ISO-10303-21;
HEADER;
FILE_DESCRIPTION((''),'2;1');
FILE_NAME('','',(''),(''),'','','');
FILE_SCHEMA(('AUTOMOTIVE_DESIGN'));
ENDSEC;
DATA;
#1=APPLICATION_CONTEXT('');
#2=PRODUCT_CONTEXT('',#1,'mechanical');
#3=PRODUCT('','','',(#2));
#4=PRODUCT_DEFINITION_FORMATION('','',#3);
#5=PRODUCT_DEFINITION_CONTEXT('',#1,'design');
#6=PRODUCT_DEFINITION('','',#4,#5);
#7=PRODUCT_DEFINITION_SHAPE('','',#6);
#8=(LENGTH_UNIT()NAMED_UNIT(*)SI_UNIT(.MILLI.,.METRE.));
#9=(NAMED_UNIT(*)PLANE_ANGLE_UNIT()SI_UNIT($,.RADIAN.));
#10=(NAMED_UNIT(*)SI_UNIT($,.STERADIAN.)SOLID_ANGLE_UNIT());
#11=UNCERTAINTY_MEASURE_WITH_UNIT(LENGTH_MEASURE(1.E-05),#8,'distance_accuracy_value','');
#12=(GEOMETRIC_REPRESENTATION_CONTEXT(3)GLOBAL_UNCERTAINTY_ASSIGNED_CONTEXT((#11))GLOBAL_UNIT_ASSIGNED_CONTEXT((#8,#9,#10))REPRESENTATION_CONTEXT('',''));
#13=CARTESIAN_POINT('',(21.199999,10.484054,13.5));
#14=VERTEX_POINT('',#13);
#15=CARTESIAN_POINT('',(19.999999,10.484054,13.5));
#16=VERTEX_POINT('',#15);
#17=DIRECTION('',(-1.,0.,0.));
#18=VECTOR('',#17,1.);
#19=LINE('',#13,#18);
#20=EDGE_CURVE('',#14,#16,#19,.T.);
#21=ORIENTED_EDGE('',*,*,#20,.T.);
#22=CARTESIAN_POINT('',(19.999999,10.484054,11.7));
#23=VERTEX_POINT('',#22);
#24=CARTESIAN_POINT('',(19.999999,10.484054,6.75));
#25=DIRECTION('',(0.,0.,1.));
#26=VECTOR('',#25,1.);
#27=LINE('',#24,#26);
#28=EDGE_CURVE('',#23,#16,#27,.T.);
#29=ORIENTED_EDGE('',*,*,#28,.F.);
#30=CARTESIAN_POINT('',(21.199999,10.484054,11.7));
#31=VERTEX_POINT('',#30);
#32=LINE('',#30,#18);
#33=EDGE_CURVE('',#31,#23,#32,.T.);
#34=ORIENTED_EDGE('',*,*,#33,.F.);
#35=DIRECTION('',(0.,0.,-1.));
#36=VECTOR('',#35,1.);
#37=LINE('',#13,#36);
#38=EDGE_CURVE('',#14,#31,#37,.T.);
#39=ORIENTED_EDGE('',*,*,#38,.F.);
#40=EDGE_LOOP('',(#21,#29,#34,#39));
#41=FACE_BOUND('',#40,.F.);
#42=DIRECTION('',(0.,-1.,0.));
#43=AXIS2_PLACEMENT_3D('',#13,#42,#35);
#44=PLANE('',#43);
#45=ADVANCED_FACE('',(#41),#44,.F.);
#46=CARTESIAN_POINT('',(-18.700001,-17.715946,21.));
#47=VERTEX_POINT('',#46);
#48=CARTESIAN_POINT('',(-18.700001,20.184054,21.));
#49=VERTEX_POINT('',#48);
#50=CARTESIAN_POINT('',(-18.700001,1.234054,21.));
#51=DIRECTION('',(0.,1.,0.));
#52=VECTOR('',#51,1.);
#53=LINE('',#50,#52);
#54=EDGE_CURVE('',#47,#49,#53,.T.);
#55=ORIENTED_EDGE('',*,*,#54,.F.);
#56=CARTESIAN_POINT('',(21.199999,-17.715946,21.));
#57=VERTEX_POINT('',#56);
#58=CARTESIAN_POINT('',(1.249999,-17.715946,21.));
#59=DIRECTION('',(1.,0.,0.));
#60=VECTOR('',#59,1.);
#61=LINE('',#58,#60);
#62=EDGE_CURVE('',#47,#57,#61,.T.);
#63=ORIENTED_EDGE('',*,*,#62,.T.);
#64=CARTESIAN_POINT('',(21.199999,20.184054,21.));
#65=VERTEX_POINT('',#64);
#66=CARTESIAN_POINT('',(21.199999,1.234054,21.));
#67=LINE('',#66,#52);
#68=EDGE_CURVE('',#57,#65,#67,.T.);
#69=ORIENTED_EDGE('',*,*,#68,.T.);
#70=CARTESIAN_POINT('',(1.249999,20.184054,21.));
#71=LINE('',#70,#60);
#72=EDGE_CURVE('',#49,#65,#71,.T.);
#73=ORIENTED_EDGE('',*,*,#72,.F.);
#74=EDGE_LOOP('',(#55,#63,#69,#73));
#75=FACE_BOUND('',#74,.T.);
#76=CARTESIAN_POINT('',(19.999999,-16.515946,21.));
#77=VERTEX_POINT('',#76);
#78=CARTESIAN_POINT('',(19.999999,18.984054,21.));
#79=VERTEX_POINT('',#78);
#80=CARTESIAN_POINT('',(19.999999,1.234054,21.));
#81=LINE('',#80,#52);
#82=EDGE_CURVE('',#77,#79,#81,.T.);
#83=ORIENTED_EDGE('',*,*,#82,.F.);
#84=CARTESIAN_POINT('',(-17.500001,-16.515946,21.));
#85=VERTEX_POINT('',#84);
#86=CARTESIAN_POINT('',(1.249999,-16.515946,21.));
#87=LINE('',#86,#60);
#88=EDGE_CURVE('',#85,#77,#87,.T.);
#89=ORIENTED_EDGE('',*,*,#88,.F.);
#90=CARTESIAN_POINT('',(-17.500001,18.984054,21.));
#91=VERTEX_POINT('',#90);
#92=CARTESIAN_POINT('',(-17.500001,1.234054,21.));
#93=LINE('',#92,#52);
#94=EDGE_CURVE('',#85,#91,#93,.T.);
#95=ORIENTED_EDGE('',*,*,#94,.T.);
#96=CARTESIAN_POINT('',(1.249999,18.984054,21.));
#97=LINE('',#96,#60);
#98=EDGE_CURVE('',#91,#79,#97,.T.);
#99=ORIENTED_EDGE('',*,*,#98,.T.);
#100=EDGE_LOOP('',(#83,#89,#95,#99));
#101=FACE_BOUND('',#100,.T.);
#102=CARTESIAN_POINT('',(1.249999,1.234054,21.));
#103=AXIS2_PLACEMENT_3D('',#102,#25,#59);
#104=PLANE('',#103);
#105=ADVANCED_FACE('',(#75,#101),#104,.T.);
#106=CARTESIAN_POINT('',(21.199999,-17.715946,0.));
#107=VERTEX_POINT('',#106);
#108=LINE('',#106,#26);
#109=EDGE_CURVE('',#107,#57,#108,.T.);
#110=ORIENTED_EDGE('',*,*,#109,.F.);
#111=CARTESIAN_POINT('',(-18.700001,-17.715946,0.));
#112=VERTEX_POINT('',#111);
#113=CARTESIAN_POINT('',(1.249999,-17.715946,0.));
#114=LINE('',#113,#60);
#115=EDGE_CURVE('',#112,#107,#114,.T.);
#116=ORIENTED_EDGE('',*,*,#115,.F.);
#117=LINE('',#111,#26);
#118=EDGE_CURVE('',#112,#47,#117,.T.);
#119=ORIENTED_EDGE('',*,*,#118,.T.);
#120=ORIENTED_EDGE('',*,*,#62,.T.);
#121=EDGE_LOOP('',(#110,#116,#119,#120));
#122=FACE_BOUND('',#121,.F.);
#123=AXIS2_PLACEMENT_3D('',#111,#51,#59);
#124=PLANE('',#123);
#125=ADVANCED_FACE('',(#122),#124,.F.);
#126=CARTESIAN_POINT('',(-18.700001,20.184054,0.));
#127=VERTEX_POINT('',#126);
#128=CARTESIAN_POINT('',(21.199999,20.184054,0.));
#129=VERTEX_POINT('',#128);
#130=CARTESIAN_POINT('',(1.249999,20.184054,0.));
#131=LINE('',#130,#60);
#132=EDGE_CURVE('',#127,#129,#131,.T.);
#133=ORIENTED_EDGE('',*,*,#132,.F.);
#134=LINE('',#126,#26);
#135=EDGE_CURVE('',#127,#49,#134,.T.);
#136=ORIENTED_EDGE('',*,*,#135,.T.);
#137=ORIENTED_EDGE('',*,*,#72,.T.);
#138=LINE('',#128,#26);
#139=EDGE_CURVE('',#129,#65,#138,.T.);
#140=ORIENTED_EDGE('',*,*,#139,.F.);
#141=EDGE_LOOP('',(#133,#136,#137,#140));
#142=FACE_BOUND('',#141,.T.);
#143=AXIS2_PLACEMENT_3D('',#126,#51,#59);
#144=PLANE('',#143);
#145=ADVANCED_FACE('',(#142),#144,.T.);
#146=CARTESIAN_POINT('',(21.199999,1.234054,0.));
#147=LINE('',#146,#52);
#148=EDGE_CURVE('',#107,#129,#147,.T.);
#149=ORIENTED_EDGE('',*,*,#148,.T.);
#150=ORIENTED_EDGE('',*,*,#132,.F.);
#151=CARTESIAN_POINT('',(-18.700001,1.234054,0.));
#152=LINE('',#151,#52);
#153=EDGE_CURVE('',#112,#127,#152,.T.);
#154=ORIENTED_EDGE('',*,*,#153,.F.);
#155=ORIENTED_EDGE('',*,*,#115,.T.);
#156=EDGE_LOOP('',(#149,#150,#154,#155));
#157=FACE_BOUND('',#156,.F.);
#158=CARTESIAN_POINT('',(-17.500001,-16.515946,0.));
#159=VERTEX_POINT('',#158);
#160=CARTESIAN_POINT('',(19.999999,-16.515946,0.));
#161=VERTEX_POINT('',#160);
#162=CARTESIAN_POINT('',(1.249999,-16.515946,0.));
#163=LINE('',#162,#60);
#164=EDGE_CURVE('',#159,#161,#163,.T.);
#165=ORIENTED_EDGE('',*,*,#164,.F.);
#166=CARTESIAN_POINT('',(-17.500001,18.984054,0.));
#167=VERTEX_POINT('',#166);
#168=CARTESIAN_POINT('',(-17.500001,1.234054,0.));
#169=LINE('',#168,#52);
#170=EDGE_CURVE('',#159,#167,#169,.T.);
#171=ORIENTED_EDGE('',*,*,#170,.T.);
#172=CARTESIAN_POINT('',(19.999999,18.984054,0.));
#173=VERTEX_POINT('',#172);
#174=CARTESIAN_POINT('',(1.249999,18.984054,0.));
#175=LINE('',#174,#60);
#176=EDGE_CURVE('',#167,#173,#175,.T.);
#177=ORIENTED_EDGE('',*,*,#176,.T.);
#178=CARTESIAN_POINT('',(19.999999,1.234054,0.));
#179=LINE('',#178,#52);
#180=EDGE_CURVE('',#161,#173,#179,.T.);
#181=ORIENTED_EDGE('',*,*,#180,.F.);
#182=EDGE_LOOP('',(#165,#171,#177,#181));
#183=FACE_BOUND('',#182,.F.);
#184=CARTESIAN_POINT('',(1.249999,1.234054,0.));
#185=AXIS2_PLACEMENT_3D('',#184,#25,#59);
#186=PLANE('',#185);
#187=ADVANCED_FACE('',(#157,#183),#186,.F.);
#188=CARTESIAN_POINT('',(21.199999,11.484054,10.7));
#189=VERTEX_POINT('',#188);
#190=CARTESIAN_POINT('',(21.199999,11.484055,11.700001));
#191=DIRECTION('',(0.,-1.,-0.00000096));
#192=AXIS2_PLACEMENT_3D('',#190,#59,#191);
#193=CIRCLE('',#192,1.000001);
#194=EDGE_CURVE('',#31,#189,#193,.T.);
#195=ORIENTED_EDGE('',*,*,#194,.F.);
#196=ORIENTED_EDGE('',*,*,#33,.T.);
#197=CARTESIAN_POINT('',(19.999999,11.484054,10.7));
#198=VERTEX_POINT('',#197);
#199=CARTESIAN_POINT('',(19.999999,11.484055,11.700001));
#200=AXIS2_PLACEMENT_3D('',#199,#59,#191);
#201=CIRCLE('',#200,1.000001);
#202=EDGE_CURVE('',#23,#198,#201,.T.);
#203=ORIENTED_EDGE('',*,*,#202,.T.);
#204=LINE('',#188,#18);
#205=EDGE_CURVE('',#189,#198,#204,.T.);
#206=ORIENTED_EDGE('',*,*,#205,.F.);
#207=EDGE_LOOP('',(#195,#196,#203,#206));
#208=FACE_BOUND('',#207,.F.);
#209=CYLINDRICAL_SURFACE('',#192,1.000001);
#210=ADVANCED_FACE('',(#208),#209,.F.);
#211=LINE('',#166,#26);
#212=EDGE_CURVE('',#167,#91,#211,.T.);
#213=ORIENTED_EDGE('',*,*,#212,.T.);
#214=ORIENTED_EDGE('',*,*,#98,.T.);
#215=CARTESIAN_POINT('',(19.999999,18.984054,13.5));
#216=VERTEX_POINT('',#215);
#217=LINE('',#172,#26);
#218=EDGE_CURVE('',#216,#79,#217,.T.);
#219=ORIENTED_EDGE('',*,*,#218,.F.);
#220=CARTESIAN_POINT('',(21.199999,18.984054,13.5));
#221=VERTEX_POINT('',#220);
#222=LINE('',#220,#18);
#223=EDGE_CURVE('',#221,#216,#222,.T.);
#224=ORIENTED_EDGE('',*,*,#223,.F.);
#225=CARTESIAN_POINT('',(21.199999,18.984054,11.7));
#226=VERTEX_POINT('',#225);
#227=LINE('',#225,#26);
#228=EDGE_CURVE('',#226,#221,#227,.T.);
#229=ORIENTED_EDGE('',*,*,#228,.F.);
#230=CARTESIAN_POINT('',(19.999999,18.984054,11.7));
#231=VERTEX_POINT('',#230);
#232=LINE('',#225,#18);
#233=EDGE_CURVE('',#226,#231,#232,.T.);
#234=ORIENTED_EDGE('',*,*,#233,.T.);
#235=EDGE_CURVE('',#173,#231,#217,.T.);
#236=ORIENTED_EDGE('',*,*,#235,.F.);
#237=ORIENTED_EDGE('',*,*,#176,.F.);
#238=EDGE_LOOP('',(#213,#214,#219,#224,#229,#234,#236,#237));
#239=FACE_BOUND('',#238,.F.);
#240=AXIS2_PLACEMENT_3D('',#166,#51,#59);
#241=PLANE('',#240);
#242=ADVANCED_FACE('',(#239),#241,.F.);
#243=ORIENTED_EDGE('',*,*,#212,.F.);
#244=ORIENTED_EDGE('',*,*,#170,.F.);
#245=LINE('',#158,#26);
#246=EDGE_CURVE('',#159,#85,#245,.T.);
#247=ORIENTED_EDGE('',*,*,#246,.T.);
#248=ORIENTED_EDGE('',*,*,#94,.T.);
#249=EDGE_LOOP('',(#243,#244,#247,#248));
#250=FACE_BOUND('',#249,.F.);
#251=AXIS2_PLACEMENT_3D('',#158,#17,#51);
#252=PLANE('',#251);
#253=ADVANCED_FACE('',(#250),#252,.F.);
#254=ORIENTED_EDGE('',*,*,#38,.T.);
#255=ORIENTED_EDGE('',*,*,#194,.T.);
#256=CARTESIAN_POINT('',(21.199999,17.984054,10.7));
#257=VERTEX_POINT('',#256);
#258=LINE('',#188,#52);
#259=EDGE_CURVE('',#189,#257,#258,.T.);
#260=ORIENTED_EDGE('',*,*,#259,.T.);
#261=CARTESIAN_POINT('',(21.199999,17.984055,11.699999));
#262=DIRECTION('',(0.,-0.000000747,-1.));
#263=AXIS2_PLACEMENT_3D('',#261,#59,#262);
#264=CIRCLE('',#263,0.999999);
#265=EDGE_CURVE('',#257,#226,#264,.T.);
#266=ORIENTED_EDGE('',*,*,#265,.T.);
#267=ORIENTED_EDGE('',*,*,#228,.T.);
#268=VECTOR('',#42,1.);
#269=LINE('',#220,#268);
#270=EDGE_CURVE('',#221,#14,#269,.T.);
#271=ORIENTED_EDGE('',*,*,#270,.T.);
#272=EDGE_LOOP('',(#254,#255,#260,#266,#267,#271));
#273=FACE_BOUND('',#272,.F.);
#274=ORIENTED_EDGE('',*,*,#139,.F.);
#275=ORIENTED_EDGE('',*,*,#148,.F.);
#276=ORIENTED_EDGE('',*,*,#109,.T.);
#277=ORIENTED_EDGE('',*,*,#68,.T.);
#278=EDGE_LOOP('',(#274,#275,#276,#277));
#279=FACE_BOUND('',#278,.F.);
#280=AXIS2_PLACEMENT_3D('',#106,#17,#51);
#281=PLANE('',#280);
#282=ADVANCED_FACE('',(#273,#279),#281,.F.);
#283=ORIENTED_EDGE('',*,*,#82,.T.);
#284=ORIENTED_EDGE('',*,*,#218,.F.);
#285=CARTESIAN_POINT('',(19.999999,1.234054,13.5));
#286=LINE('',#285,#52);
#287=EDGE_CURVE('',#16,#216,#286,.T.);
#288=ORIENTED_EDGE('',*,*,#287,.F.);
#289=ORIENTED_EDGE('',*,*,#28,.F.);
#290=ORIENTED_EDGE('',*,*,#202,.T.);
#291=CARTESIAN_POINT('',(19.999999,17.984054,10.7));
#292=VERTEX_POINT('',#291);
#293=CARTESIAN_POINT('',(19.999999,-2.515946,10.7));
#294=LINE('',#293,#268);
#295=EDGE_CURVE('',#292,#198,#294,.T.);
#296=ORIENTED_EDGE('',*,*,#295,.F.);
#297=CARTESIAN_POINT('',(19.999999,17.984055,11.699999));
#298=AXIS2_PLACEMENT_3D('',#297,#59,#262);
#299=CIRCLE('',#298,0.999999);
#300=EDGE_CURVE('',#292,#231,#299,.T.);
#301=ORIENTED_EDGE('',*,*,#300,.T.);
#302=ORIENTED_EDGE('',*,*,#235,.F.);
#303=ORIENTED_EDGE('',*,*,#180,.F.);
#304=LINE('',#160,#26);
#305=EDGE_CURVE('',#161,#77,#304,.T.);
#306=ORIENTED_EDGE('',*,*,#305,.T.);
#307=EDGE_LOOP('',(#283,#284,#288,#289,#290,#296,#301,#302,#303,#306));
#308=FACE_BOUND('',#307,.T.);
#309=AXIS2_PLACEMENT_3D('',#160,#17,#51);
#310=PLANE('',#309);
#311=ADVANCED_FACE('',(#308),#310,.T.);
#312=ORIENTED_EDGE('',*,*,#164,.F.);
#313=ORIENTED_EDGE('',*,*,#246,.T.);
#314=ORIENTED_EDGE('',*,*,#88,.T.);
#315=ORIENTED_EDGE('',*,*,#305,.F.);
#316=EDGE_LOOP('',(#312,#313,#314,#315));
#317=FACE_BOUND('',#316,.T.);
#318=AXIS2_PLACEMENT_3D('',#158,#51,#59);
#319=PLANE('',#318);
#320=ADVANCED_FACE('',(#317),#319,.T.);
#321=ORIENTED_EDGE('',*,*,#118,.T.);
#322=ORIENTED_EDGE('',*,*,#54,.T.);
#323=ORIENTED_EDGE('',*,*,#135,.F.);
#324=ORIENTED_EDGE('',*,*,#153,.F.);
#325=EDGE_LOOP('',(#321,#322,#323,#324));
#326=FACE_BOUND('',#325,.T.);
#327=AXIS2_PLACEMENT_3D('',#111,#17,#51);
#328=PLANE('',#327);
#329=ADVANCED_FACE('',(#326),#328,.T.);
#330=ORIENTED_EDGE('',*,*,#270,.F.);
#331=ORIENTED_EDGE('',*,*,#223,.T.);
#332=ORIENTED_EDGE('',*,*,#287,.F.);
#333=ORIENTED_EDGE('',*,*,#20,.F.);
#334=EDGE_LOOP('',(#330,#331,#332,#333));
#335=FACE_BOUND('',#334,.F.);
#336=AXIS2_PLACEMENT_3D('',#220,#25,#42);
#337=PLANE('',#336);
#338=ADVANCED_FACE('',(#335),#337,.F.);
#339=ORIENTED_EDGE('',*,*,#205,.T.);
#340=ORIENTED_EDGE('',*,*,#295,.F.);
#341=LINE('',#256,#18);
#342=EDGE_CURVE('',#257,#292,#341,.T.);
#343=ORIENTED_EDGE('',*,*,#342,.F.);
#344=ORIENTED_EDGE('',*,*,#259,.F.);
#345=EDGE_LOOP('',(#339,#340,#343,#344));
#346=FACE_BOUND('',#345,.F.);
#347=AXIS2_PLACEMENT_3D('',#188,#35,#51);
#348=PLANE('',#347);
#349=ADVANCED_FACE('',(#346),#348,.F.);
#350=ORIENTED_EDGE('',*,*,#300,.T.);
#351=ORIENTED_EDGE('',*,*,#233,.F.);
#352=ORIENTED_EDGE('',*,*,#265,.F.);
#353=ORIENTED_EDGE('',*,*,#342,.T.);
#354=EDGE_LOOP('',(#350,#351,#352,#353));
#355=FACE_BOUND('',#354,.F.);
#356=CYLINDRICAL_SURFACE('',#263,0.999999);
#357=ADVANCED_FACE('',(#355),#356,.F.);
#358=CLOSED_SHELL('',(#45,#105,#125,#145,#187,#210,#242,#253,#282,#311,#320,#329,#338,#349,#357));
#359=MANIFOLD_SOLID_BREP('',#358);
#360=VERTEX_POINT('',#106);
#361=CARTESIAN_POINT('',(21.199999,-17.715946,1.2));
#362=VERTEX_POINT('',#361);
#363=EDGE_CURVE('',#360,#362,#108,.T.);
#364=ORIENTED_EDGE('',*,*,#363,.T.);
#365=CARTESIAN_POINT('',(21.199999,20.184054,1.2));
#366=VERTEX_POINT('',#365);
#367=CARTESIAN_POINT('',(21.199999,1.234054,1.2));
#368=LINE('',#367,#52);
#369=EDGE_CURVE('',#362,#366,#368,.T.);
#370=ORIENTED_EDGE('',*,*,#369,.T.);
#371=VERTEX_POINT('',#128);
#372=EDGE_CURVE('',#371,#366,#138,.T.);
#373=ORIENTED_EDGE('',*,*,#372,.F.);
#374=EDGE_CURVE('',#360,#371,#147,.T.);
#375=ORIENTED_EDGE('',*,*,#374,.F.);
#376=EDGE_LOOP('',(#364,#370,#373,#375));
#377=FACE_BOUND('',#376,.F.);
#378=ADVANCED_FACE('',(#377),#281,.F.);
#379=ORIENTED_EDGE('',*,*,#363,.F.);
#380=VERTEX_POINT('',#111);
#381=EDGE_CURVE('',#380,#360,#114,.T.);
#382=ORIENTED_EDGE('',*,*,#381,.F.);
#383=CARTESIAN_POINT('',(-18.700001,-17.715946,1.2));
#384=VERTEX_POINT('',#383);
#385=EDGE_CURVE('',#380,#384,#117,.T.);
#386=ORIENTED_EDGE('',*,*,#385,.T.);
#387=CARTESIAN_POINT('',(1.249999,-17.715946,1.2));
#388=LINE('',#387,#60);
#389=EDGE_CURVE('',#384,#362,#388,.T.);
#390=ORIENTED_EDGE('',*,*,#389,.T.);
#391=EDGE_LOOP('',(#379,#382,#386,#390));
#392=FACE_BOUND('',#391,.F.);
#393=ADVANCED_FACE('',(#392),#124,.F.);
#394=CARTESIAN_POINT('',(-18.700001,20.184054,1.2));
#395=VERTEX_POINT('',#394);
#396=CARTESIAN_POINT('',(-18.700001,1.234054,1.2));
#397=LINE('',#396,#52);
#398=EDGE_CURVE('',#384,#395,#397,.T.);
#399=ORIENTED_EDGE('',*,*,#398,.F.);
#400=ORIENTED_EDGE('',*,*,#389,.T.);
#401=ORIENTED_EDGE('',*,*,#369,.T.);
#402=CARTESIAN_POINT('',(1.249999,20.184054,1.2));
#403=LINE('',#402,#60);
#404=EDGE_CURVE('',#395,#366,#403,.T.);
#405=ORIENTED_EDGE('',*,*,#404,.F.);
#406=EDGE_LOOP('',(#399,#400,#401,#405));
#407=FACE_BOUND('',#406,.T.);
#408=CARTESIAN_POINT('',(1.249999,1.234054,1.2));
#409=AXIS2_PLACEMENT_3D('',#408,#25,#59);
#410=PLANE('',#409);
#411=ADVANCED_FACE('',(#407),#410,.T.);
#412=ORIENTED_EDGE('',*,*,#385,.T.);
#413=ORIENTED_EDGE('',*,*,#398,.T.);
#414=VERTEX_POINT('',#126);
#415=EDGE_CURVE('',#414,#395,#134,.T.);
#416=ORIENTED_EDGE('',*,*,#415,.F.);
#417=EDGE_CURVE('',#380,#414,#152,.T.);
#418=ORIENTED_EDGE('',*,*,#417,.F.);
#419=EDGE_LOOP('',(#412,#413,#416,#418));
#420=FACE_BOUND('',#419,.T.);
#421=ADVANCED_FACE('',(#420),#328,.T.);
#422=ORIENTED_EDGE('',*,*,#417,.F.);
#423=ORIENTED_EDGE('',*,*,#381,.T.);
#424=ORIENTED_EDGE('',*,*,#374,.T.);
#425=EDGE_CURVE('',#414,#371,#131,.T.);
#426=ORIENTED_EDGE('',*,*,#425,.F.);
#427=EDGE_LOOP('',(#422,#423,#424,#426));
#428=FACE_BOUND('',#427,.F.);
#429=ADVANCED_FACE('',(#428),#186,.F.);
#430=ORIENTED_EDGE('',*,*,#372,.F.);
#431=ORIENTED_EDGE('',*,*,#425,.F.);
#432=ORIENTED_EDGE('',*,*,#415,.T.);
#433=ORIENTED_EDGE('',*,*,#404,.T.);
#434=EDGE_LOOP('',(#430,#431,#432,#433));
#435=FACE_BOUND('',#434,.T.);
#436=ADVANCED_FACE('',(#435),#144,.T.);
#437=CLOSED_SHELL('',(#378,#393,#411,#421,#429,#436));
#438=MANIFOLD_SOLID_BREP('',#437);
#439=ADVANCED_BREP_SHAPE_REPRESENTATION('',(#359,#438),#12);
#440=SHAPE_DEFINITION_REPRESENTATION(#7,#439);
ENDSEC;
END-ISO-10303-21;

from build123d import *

# Parameters (mm, degrees)
F0_W     = 39.9
F0_H     = 37.9
F0_W_2   = 37.5
F0_H_2   = 35.5
F1_DEPTH = 1.2
F2_DEPTH = 21
F4_DEPTH = 2


with BuildPart() as f1:
    # F0 (on Top) → F1 (new body)
    with BuildSketch(Plane.XY):
        with Locations((1.249999, 1.234054)):
            Rectangle(F0_W, F0_H)
        with Locations((1.249999, 1.234054)):
            Rectangle(F0_W_2, F0_H_2, mode=Mode.SUBTRACT)
        with Locations((1.249999, 1.234054)):
            Rectangle(F0_W_2, F0_H_2)
    extrude(amount=F1_DEPTH)


with BuildPart() as f2:
    # F0 (on Top) → F2 (new body)
    with BuildSketch(Plane.XY):
        with Locations((1.249999, 1.234054)):
            Rectangle(F0_W, F0_H)
        with Locations((1.249999, 1.234054)):
            Rectangle(F0_W_2, F0_H_2, mode=Mode.SUBTRACT)
    extrude(amount=F2_DEPTH)

    # F3 (on face) → F4 (cut)
    with BuildSketch(Plane.YZ.offset(21.199999)):
        with BuildLine():
            ThreePointArc((10.484054, 11.7), (10.776948, 10.992893), (11.484054, 10.7))
            Line((11.484054, 10.7), (17.984054, 10.7))
            ThreePointArc((17.984054, 10.7), (18.691161, 10.992893), (18.984054, 11.7))
            Line((18.984054, 11.7), (18.984054, 13.5))
            Line((18.984054, 13.5), (10.484054, 13.5))
            Line((10.484054, 13.5), (10.484054, 11.7))
        make_face()
    extrude(amount=-F4_DEPTH, mode=Mode.SUBTRACT)


solid = Compound([f1.part, f2.part])
